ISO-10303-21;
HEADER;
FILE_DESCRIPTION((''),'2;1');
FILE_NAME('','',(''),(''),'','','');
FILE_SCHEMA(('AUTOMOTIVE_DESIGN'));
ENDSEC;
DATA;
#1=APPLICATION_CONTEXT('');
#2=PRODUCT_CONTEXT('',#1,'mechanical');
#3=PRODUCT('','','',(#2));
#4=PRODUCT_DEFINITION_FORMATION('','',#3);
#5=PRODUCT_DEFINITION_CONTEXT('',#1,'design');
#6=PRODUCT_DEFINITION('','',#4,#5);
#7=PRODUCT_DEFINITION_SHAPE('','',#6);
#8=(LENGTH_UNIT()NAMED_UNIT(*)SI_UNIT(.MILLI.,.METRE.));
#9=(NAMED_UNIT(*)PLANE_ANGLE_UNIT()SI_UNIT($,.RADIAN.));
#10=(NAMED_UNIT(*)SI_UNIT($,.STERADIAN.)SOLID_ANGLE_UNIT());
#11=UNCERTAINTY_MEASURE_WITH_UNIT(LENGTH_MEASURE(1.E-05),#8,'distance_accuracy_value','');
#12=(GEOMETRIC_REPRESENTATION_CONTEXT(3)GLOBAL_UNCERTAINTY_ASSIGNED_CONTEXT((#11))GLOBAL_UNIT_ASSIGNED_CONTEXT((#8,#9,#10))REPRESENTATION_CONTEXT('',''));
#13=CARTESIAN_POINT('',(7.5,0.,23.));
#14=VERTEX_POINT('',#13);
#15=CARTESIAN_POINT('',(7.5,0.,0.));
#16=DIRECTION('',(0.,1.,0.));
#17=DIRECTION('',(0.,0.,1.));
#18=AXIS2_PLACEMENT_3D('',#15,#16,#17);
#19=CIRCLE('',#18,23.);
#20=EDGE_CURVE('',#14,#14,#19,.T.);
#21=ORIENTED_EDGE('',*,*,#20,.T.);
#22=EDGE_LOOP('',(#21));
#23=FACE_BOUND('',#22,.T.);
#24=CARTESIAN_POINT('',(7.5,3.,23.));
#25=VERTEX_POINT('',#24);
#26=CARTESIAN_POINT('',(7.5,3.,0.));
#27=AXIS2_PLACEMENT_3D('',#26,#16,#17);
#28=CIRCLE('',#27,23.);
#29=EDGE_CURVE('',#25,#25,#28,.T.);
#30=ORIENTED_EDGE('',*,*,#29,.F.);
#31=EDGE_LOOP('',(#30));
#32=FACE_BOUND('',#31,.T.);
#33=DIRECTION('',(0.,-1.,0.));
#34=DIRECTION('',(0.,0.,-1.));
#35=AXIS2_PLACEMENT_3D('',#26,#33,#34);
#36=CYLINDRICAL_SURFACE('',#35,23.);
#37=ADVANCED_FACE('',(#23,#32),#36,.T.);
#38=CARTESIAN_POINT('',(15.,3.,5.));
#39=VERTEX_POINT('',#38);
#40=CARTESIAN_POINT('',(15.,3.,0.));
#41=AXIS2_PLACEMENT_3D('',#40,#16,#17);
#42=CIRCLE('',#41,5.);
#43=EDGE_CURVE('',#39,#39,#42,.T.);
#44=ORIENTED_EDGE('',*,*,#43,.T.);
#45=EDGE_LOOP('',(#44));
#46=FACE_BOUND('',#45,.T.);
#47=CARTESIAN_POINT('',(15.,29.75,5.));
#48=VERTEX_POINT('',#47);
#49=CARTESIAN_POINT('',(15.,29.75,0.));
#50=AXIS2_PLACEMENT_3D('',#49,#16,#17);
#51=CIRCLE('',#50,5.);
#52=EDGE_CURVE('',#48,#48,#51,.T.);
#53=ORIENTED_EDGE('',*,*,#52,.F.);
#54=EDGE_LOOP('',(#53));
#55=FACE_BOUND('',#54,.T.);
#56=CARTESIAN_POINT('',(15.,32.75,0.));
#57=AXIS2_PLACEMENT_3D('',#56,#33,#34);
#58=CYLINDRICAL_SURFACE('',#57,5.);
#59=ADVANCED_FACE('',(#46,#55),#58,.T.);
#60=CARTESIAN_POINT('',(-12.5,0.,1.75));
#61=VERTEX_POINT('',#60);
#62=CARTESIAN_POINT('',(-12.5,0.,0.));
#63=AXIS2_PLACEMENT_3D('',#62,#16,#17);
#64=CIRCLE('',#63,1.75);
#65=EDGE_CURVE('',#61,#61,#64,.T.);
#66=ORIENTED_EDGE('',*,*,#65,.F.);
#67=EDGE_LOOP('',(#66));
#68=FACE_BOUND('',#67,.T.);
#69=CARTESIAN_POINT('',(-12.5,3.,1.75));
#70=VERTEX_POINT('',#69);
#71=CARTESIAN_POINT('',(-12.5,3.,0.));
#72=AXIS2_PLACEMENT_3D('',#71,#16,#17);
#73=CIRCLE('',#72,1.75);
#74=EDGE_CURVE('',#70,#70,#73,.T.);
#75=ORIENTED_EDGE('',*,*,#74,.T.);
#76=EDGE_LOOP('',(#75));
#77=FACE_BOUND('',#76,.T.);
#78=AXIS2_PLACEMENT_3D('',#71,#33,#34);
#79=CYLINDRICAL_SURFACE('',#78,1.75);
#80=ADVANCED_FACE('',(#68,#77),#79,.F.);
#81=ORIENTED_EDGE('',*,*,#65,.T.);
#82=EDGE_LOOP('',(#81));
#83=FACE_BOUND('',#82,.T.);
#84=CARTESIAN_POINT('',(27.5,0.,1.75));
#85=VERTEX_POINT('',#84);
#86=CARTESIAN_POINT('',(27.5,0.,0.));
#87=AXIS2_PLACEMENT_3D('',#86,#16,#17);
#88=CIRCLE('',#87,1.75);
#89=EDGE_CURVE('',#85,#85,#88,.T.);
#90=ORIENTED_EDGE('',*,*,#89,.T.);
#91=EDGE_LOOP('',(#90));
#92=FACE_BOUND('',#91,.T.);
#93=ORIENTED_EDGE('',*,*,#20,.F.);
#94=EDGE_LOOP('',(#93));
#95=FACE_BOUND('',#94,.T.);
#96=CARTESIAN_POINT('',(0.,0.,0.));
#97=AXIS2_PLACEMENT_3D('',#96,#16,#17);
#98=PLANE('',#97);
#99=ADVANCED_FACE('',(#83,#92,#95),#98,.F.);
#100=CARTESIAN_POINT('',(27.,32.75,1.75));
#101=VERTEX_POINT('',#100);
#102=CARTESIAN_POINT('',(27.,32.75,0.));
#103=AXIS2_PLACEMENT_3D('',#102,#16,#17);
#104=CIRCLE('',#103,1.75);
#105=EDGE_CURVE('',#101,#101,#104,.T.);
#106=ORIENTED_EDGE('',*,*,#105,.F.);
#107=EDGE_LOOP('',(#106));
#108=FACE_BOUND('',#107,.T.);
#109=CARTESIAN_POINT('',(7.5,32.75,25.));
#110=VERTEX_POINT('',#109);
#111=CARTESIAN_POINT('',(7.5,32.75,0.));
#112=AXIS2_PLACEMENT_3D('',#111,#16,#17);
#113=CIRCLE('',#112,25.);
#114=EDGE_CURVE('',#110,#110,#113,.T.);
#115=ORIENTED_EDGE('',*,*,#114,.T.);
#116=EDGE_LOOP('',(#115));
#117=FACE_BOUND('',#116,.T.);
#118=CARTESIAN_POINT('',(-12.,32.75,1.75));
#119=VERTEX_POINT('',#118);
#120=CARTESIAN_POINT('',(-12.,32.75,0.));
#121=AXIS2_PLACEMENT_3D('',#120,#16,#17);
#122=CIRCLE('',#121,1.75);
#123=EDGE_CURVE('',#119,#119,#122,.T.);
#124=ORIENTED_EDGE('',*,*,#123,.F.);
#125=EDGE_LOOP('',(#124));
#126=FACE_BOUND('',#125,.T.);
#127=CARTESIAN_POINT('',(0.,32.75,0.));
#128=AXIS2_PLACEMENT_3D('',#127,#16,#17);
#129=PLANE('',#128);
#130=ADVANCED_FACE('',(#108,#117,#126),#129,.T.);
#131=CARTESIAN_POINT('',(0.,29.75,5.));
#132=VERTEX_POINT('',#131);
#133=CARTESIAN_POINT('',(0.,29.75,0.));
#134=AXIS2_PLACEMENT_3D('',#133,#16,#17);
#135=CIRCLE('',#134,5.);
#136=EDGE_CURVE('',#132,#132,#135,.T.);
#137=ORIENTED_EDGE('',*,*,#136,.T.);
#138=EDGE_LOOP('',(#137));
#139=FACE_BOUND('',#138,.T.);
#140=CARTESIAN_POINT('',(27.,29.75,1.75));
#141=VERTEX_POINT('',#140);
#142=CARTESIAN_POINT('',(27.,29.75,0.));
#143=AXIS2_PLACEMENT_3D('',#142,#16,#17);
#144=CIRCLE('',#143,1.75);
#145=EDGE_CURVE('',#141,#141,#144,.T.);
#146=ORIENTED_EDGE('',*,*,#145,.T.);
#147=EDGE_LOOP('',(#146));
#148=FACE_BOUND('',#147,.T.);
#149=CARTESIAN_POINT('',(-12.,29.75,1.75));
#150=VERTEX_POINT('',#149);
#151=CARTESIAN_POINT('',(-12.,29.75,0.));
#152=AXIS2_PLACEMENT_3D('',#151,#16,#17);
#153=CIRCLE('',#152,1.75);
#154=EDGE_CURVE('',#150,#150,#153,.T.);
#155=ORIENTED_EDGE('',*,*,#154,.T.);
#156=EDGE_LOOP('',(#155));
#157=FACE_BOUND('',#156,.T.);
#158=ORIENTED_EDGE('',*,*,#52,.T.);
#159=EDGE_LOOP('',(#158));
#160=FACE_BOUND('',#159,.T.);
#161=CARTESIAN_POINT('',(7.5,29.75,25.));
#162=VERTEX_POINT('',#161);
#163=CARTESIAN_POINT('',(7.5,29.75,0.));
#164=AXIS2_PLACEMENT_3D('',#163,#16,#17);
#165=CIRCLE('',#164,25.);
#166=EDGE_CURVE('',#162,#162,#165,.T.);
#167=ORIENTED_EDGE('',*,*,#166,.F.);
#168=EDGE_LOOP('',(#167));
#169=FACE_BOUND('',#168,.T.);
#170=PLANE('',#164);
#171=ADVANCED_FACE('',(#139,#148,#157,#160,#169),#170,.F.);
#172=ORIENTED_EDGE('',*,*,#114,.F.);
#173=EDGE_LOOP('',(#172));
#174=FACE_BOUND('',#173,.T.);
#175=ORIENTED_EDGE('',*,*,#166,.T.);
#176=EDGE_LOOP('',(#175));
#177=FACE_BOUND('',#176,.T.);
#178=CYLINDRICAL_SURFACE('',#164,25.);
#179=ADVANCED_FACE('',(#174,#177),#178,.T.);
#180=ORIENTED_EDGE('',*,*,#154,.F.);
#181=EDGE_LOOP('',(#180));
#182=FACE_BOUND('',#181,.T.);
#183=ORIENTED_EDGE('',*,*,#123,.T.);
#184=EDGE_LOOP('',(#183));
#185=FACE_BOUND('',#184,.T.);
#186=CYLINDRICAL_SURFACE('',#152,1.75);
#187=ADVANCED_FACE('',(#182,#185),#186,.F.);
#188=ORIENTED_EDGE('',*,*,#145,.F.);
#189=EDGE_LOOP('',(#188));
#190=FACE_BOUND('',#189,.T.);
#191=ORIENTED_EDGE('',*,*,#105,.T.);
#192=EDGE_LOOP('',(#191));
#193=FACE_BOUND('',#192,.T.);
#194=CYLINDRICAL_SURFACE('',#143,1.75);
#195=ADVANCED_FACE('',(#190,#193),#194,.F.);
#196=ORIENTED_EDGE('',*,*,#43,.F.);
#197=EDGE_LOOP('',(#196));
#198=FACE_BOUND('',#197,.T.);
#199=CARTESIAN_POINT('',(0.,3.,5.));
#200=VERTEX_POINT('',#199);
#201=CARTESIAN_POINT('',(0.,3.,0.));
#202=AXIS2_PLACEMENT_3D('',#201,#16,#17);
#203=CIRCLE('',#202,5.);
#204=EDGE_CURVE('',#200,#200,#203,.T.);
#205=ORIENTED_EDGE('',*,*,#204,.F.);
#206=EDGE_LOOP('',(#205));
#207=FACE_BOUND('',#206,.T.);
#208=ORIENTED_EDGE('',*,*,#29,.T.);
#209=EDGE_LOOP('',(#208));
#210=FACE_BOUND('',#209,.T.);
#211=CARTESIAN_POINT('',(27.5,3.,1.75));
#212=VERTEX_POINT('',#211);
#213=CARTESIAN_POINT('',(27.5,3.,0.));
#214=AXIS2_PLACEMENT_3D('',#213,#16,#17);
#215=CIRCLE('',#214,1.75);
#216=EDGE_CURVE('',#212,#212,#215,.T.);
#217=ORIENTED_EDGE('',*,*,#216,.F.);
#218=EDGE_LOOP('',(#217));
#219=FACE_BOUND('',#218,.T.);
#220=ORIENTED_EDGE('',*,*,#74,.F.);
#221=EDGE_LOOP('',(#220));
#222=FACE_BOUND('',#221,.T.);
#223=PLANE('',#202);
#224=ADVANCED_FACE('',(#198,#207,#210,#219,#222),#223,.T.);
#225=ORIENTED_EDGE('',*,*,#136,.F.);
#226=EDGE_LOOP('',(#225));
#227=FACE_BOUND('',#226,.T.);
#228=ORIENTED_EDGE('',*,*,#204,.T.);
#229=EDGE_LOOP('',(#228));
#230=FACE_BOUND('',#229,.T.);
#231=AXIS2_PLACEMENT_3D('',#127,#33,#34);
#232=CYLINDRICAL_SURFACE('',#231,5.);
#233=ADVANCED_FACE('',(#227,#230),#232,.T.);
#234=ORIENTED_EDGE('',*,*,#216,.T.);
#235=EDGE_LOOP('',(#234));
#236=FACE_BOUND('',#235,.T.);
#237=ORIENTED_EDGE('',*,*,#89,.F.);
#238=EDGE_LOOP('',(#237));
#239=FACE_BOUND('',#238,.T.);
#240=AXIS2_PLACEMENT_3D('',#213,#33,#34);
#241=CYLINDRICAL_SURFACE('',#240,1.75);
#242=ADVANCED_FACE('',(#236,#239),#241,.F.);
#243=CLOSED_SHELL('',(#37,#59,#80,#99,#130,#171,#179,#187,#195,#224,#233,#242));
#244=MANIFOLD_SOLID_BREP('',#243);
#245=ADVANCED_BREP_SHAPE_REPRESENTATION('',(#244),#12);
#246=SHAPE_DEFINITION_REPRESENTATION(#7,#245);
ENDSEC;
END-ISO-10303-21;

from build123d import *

# Parameters (mm, degrees)
SKETCH_1_R      = 23
SKETCH_1_R_2    = 1.75
SKETCH_1_R_3    = 5
EXTRUDE_1_DEPTH = 3
SKETCH_1_3_R    = 5
EXTRUDE_2_DEPTH = 32.75
SKETCH_2_R      = 25
SKETCH_2_R_2    = 1.75
EXTRUDE_3_DEPTH = 3


with BuildPart() as part:
    # 草图1 → 凸台-拉伸1 (new body)
    with BuildSketch(Plane(origin=(0, 0, 0), x_dir=(1, 0, 0), z_dir=(0, 1, 0))):
        with Locations(Location((7.5, 0, 0), (0, 0, 270))):
            Circle(SKETCH_1_R)
        with Locations(Location((27.5, 0, 0), (0, 0, 270))):
            Circle(SKETCH_1_R_2, mode=Mode.SUBTRACT)
        with Locations(Location((-12.5, 0, 0), (0, 0, 270))):
            Circle(SKETCH_1_R_2, mode=Mode.SUBTRACT)
        with Locations(Location((0, 0, 0), (0, 0, 270))):
            Circle(SKETCH_1_R_3, mode=Mode.SUBTRACT)
        with Locations(Location((15, 0, 0), (0, 0, 270))):
            Circle(SKETCH_1_R_3, mode=Mode.SUBTRACT)
    extrude(amount=EXTRUDE_1_DEPTH)

    # 草图1<3> → 凸台-拉伸2 (add)
    with BuildSketch(Plane(origin=(0, 0, 0), x_dir=(1, 0, 0), z_dir=(0, 1, 0))):
        with Locations(Location((0, 0, 0), (0, 0, 270))):
            Circle(SKETCH_1_3_R)
        with Locations(Location((15, 0, 0), (0, 0, 270))):
            Circle(SKETCH_1_3_R)
    extrude(amount=EXTRUDE_2_DEPTH)

    # 草图2 → 凸台-拉伸3 (add)
    with BuildSketch(Plane(origin=(0, 32.75, 0), x_dir=(1, 0, 0), z_dir=(0, 1, 0))):
        with Locations(Location((7.5, 0, 0), (0, 0, 270))):
            Circle(SKETCH_2_R)
        with Locations(Location((-12, 0, 0), (0, 0, 270))):
            Circle(SKETCH_2_R_2, mode=Mode.SUBTRACT)
        with Locations(Location((27, 0, 0), (0, 0, 270))):
            Circle(SKETCH_2_R_2, mode=Mode.SUBTRACT)
    extrude(amount=-EXTRUDE_3_DEPTH)


solid = part.part
